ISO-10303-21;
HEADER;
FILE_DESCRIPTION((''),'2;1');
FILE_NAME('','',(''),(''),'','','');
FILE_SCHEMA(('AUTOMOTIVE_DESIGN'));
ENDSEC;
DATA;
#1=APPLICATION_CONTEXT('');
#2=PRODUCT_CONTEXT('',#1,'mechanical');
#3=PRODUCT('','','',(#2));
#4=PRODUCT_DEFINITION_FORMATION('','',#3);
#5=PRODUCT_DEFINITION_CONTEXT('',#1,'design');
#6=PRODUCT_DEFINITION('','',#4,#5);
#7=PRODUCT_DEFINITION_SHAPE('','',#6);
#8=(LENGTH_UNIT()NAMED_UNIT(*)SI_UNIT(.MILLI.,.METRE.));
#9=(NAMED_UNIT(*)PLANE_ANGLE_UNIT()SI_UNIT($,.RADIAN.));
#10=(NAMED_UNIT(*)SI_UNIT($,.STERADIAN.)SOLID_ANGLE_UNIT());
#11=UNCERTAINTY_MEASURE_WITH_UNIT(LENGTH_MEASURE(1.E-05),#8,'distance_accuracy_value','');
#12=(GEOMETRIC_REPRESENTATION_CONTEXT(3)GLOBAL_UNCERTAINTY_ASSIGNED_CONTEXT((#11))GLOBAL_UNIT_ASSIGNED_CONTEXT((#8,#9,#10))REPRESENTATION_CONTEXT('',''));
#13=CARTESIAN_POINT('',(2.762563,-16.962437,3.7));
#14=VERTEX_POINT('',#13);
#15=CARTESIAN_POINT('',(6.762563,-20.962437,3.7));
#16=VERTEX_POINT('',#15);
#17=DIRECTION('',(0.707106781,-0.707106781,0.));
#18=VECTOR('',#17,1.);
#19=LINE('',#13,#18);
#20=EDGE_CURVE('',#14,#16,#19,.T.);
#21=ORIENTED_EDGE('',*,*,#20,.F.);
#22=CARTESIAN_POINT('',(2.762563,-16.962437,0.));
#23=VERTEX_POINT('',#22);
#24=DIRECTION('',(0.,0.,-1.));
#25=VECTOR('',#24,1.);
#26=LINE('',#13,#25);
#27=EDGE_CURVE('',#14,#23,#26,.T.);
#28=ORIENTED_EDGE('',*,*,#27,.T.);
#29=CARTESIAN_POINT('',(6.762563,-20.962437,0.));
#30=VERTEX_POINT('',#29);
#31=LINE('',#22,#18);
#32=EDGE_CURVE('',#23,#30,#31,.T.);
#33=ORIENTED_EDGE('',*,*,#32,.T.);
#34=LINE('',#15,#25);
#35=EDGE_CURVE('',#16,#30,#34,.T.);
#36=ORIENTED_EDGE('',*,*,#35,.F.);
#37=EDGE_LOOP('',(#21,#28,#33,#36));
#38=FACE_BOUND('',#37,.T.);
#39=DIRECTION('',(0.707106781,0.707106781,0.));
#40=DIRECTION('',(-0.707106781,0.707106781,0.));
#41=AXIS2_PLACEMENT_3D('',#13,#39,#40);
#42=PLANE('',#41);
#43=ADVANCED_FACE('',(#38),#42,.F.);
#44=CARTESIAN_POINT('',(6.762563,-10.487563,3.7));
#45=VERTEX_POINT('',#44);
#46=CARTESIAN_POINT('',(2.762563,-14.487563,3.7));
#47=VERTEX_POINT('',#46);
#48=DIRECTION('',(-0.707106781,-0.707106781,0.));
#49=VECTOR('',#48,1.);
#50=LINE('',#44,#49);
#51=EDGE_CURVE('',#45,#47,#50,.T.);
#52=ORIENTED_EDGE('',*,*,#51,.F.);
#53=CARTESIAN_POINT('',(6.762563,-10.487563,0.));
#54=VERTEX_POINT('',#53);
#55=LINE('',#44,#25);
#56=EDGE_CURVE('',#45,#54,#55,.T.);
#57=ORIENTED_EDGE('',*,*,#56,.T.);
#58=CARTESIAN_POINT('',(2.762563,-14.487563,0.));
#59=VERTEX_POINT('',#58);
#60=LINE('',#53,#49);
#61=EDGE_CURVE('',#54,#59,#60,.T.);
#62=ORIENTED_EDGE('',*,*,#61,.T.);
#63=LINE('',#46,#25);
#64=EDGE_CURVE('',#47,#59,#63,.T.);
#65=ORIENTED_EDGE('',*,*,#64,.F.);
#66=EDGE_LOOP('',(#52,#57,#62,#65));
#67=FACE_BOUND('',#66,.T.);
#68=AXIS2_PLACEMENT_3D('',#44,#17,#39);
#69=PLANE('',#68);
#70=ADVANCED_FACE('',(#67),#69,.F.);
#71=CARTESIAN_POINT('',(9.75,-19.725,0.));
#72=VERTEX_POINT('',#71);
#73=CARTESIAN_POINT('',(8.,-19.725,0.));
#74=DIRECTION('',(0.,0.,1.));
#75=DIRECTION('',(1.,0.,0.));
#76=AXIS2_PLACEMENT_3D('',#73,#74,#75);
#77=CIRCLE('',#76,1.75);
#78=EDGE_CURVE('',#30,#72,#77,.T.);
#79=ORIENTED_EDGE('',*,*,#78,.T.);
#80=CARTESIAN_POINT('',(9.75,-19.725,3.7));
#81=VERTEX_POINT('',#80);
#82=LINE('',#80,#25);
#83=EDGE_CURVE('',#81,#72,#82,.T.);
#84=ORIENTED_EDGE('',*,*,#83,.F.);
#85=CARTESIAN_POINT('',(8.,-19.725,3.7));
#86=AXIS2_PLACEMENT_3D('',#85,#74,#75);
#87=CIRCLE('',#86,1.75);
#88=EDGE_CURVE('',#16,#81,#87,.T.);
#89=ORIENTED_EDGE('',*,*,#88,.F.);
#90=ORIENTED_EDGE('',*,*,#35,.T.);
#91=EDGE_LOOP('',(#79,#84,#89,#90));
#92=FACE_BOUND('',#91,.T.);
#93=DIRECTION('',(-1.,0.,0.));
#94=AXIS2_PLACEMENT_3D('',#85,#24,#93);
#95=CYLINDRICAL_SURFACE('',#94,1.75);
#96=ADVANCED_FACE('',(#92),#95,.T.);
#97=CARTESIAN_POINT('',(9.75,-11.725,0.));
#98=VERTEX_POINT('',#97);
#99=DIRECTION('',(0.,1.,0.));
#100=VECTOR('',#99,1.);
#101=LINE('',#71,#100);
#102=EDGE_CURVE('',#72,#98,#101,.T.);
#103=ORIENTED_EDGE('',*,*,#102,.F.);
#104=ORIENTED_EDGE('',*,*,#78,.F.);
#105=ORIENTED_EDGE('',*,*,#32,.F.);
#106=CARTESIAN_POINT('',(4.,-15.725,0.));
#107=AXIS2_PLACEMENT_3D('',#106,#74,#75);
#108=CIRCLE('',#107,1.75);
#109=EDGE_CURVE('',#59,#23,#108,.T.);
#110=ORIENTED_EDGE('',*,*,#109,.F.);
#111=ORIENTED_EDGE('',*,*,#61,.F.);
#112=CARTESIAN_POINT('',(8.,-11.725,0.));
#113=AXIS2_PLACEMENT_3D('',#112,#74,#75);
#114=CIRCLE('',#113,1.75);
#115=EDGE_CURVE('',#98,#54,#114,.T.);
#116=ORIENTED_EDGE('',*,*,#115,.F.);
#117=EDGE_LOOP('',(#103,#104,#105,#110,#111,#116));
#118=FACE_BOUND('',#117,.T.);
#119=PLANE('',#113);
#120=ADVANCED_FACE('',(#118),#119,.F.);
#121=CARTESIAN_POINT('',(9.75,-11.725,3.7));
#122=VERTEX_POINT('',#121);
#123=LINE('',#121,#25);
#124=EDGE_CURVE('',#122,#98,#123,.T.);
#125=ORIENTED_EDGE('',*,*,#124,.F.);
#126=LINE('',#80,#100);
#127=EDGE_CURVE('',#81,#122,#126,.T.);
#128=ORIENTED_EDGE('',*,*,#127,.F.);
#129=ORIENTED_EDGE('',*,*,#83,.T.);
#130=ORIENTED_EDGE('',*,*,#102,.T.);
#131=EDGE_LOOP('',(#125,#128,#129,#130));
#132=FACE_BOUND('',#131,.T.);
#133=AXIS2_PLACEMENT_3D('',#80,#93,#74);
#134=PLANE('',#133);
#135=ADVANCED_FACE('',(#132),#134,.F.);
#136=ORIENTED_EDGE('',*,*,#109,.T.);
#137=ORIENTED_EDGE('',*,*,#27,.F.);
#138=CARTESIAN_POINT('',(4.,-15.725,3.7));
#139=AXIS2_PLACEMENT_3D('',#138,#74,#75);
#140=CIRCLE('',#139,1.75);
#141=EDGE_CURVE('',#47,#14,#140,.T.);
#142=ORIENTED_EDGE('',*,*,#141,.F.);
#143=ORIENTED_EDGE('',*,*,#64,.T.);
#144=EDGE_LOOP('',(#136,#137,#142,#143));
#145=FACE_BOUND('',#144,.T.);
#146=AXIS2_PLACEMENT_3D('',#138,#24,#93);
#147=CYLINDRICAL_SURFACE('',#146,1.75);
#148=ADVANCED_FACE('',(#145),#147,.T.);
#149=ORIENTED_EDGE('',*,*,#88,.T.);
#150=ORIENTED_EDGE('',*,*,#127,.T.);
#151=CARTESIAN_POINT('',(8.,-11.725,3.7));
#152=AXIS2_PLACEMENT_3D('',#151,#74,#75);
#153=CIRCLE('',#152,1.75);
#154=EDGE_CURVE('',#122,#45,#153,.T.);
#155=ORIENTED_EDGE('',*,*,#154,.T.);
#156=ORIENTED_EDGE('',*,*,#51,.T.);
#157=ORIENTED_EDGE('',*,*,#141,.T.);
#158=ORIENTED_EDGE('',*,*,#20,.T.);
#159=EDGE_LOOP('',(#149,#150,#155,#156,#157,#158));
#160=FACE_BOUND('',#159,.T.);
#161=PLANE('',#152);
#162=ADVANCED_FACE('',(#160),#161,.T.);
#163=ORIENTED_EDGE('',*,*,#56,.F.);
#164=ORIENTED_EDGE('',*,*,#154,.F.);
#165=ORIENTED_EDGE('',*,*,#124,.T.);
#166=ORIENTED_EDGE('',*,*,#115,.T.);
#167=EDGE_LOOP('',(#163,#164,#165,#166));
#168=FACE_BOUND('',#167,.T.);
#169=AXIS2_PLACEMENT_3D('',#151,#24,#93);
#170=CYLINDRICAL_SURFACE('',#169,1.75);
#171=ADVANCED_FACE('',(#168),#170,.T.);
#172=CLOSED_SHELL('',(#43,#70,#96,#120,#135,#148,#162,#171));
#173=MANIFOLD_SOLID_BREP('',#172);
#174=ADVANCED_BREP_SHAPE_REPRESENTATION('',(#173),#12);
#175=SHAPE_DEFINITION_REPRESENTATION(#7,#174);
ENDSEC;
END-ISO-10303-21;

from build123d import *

# Parameters (mm, degrees)
BOSS_EXTRUDE1_DEPTH = 3.7


with BuildPart() as part:
    # Sketch1 → Boss-Extrude1 (new body)
    with BuildSketch(Plane.XY):
        with BuildLine():
            Line((9.75, -19.725), (9.75, -11.725))
            ThreePointArc((9.75, -11.725), (8.669696007, -10.108210818), (6.762563133, -10.487563133))
            Line((6.762563133, -10.487563133), (2.762563133, -14.487563133))
            ThreePointArc((2.762563133, -14.487563133), (2.25, -15.725), (2.762563133, -16.962436867))
            Line((2.762563133, -16.962436867), (6.762563133, -20.962436867))
            ThreePointArc((6.762563133, -20.962436867), (8.669696007, -21.341789182), (9.75, -19.725))
        make_face()
    extrude(amount=BOSS_EXTRUDE1_DEPTH)


solid = part.part
